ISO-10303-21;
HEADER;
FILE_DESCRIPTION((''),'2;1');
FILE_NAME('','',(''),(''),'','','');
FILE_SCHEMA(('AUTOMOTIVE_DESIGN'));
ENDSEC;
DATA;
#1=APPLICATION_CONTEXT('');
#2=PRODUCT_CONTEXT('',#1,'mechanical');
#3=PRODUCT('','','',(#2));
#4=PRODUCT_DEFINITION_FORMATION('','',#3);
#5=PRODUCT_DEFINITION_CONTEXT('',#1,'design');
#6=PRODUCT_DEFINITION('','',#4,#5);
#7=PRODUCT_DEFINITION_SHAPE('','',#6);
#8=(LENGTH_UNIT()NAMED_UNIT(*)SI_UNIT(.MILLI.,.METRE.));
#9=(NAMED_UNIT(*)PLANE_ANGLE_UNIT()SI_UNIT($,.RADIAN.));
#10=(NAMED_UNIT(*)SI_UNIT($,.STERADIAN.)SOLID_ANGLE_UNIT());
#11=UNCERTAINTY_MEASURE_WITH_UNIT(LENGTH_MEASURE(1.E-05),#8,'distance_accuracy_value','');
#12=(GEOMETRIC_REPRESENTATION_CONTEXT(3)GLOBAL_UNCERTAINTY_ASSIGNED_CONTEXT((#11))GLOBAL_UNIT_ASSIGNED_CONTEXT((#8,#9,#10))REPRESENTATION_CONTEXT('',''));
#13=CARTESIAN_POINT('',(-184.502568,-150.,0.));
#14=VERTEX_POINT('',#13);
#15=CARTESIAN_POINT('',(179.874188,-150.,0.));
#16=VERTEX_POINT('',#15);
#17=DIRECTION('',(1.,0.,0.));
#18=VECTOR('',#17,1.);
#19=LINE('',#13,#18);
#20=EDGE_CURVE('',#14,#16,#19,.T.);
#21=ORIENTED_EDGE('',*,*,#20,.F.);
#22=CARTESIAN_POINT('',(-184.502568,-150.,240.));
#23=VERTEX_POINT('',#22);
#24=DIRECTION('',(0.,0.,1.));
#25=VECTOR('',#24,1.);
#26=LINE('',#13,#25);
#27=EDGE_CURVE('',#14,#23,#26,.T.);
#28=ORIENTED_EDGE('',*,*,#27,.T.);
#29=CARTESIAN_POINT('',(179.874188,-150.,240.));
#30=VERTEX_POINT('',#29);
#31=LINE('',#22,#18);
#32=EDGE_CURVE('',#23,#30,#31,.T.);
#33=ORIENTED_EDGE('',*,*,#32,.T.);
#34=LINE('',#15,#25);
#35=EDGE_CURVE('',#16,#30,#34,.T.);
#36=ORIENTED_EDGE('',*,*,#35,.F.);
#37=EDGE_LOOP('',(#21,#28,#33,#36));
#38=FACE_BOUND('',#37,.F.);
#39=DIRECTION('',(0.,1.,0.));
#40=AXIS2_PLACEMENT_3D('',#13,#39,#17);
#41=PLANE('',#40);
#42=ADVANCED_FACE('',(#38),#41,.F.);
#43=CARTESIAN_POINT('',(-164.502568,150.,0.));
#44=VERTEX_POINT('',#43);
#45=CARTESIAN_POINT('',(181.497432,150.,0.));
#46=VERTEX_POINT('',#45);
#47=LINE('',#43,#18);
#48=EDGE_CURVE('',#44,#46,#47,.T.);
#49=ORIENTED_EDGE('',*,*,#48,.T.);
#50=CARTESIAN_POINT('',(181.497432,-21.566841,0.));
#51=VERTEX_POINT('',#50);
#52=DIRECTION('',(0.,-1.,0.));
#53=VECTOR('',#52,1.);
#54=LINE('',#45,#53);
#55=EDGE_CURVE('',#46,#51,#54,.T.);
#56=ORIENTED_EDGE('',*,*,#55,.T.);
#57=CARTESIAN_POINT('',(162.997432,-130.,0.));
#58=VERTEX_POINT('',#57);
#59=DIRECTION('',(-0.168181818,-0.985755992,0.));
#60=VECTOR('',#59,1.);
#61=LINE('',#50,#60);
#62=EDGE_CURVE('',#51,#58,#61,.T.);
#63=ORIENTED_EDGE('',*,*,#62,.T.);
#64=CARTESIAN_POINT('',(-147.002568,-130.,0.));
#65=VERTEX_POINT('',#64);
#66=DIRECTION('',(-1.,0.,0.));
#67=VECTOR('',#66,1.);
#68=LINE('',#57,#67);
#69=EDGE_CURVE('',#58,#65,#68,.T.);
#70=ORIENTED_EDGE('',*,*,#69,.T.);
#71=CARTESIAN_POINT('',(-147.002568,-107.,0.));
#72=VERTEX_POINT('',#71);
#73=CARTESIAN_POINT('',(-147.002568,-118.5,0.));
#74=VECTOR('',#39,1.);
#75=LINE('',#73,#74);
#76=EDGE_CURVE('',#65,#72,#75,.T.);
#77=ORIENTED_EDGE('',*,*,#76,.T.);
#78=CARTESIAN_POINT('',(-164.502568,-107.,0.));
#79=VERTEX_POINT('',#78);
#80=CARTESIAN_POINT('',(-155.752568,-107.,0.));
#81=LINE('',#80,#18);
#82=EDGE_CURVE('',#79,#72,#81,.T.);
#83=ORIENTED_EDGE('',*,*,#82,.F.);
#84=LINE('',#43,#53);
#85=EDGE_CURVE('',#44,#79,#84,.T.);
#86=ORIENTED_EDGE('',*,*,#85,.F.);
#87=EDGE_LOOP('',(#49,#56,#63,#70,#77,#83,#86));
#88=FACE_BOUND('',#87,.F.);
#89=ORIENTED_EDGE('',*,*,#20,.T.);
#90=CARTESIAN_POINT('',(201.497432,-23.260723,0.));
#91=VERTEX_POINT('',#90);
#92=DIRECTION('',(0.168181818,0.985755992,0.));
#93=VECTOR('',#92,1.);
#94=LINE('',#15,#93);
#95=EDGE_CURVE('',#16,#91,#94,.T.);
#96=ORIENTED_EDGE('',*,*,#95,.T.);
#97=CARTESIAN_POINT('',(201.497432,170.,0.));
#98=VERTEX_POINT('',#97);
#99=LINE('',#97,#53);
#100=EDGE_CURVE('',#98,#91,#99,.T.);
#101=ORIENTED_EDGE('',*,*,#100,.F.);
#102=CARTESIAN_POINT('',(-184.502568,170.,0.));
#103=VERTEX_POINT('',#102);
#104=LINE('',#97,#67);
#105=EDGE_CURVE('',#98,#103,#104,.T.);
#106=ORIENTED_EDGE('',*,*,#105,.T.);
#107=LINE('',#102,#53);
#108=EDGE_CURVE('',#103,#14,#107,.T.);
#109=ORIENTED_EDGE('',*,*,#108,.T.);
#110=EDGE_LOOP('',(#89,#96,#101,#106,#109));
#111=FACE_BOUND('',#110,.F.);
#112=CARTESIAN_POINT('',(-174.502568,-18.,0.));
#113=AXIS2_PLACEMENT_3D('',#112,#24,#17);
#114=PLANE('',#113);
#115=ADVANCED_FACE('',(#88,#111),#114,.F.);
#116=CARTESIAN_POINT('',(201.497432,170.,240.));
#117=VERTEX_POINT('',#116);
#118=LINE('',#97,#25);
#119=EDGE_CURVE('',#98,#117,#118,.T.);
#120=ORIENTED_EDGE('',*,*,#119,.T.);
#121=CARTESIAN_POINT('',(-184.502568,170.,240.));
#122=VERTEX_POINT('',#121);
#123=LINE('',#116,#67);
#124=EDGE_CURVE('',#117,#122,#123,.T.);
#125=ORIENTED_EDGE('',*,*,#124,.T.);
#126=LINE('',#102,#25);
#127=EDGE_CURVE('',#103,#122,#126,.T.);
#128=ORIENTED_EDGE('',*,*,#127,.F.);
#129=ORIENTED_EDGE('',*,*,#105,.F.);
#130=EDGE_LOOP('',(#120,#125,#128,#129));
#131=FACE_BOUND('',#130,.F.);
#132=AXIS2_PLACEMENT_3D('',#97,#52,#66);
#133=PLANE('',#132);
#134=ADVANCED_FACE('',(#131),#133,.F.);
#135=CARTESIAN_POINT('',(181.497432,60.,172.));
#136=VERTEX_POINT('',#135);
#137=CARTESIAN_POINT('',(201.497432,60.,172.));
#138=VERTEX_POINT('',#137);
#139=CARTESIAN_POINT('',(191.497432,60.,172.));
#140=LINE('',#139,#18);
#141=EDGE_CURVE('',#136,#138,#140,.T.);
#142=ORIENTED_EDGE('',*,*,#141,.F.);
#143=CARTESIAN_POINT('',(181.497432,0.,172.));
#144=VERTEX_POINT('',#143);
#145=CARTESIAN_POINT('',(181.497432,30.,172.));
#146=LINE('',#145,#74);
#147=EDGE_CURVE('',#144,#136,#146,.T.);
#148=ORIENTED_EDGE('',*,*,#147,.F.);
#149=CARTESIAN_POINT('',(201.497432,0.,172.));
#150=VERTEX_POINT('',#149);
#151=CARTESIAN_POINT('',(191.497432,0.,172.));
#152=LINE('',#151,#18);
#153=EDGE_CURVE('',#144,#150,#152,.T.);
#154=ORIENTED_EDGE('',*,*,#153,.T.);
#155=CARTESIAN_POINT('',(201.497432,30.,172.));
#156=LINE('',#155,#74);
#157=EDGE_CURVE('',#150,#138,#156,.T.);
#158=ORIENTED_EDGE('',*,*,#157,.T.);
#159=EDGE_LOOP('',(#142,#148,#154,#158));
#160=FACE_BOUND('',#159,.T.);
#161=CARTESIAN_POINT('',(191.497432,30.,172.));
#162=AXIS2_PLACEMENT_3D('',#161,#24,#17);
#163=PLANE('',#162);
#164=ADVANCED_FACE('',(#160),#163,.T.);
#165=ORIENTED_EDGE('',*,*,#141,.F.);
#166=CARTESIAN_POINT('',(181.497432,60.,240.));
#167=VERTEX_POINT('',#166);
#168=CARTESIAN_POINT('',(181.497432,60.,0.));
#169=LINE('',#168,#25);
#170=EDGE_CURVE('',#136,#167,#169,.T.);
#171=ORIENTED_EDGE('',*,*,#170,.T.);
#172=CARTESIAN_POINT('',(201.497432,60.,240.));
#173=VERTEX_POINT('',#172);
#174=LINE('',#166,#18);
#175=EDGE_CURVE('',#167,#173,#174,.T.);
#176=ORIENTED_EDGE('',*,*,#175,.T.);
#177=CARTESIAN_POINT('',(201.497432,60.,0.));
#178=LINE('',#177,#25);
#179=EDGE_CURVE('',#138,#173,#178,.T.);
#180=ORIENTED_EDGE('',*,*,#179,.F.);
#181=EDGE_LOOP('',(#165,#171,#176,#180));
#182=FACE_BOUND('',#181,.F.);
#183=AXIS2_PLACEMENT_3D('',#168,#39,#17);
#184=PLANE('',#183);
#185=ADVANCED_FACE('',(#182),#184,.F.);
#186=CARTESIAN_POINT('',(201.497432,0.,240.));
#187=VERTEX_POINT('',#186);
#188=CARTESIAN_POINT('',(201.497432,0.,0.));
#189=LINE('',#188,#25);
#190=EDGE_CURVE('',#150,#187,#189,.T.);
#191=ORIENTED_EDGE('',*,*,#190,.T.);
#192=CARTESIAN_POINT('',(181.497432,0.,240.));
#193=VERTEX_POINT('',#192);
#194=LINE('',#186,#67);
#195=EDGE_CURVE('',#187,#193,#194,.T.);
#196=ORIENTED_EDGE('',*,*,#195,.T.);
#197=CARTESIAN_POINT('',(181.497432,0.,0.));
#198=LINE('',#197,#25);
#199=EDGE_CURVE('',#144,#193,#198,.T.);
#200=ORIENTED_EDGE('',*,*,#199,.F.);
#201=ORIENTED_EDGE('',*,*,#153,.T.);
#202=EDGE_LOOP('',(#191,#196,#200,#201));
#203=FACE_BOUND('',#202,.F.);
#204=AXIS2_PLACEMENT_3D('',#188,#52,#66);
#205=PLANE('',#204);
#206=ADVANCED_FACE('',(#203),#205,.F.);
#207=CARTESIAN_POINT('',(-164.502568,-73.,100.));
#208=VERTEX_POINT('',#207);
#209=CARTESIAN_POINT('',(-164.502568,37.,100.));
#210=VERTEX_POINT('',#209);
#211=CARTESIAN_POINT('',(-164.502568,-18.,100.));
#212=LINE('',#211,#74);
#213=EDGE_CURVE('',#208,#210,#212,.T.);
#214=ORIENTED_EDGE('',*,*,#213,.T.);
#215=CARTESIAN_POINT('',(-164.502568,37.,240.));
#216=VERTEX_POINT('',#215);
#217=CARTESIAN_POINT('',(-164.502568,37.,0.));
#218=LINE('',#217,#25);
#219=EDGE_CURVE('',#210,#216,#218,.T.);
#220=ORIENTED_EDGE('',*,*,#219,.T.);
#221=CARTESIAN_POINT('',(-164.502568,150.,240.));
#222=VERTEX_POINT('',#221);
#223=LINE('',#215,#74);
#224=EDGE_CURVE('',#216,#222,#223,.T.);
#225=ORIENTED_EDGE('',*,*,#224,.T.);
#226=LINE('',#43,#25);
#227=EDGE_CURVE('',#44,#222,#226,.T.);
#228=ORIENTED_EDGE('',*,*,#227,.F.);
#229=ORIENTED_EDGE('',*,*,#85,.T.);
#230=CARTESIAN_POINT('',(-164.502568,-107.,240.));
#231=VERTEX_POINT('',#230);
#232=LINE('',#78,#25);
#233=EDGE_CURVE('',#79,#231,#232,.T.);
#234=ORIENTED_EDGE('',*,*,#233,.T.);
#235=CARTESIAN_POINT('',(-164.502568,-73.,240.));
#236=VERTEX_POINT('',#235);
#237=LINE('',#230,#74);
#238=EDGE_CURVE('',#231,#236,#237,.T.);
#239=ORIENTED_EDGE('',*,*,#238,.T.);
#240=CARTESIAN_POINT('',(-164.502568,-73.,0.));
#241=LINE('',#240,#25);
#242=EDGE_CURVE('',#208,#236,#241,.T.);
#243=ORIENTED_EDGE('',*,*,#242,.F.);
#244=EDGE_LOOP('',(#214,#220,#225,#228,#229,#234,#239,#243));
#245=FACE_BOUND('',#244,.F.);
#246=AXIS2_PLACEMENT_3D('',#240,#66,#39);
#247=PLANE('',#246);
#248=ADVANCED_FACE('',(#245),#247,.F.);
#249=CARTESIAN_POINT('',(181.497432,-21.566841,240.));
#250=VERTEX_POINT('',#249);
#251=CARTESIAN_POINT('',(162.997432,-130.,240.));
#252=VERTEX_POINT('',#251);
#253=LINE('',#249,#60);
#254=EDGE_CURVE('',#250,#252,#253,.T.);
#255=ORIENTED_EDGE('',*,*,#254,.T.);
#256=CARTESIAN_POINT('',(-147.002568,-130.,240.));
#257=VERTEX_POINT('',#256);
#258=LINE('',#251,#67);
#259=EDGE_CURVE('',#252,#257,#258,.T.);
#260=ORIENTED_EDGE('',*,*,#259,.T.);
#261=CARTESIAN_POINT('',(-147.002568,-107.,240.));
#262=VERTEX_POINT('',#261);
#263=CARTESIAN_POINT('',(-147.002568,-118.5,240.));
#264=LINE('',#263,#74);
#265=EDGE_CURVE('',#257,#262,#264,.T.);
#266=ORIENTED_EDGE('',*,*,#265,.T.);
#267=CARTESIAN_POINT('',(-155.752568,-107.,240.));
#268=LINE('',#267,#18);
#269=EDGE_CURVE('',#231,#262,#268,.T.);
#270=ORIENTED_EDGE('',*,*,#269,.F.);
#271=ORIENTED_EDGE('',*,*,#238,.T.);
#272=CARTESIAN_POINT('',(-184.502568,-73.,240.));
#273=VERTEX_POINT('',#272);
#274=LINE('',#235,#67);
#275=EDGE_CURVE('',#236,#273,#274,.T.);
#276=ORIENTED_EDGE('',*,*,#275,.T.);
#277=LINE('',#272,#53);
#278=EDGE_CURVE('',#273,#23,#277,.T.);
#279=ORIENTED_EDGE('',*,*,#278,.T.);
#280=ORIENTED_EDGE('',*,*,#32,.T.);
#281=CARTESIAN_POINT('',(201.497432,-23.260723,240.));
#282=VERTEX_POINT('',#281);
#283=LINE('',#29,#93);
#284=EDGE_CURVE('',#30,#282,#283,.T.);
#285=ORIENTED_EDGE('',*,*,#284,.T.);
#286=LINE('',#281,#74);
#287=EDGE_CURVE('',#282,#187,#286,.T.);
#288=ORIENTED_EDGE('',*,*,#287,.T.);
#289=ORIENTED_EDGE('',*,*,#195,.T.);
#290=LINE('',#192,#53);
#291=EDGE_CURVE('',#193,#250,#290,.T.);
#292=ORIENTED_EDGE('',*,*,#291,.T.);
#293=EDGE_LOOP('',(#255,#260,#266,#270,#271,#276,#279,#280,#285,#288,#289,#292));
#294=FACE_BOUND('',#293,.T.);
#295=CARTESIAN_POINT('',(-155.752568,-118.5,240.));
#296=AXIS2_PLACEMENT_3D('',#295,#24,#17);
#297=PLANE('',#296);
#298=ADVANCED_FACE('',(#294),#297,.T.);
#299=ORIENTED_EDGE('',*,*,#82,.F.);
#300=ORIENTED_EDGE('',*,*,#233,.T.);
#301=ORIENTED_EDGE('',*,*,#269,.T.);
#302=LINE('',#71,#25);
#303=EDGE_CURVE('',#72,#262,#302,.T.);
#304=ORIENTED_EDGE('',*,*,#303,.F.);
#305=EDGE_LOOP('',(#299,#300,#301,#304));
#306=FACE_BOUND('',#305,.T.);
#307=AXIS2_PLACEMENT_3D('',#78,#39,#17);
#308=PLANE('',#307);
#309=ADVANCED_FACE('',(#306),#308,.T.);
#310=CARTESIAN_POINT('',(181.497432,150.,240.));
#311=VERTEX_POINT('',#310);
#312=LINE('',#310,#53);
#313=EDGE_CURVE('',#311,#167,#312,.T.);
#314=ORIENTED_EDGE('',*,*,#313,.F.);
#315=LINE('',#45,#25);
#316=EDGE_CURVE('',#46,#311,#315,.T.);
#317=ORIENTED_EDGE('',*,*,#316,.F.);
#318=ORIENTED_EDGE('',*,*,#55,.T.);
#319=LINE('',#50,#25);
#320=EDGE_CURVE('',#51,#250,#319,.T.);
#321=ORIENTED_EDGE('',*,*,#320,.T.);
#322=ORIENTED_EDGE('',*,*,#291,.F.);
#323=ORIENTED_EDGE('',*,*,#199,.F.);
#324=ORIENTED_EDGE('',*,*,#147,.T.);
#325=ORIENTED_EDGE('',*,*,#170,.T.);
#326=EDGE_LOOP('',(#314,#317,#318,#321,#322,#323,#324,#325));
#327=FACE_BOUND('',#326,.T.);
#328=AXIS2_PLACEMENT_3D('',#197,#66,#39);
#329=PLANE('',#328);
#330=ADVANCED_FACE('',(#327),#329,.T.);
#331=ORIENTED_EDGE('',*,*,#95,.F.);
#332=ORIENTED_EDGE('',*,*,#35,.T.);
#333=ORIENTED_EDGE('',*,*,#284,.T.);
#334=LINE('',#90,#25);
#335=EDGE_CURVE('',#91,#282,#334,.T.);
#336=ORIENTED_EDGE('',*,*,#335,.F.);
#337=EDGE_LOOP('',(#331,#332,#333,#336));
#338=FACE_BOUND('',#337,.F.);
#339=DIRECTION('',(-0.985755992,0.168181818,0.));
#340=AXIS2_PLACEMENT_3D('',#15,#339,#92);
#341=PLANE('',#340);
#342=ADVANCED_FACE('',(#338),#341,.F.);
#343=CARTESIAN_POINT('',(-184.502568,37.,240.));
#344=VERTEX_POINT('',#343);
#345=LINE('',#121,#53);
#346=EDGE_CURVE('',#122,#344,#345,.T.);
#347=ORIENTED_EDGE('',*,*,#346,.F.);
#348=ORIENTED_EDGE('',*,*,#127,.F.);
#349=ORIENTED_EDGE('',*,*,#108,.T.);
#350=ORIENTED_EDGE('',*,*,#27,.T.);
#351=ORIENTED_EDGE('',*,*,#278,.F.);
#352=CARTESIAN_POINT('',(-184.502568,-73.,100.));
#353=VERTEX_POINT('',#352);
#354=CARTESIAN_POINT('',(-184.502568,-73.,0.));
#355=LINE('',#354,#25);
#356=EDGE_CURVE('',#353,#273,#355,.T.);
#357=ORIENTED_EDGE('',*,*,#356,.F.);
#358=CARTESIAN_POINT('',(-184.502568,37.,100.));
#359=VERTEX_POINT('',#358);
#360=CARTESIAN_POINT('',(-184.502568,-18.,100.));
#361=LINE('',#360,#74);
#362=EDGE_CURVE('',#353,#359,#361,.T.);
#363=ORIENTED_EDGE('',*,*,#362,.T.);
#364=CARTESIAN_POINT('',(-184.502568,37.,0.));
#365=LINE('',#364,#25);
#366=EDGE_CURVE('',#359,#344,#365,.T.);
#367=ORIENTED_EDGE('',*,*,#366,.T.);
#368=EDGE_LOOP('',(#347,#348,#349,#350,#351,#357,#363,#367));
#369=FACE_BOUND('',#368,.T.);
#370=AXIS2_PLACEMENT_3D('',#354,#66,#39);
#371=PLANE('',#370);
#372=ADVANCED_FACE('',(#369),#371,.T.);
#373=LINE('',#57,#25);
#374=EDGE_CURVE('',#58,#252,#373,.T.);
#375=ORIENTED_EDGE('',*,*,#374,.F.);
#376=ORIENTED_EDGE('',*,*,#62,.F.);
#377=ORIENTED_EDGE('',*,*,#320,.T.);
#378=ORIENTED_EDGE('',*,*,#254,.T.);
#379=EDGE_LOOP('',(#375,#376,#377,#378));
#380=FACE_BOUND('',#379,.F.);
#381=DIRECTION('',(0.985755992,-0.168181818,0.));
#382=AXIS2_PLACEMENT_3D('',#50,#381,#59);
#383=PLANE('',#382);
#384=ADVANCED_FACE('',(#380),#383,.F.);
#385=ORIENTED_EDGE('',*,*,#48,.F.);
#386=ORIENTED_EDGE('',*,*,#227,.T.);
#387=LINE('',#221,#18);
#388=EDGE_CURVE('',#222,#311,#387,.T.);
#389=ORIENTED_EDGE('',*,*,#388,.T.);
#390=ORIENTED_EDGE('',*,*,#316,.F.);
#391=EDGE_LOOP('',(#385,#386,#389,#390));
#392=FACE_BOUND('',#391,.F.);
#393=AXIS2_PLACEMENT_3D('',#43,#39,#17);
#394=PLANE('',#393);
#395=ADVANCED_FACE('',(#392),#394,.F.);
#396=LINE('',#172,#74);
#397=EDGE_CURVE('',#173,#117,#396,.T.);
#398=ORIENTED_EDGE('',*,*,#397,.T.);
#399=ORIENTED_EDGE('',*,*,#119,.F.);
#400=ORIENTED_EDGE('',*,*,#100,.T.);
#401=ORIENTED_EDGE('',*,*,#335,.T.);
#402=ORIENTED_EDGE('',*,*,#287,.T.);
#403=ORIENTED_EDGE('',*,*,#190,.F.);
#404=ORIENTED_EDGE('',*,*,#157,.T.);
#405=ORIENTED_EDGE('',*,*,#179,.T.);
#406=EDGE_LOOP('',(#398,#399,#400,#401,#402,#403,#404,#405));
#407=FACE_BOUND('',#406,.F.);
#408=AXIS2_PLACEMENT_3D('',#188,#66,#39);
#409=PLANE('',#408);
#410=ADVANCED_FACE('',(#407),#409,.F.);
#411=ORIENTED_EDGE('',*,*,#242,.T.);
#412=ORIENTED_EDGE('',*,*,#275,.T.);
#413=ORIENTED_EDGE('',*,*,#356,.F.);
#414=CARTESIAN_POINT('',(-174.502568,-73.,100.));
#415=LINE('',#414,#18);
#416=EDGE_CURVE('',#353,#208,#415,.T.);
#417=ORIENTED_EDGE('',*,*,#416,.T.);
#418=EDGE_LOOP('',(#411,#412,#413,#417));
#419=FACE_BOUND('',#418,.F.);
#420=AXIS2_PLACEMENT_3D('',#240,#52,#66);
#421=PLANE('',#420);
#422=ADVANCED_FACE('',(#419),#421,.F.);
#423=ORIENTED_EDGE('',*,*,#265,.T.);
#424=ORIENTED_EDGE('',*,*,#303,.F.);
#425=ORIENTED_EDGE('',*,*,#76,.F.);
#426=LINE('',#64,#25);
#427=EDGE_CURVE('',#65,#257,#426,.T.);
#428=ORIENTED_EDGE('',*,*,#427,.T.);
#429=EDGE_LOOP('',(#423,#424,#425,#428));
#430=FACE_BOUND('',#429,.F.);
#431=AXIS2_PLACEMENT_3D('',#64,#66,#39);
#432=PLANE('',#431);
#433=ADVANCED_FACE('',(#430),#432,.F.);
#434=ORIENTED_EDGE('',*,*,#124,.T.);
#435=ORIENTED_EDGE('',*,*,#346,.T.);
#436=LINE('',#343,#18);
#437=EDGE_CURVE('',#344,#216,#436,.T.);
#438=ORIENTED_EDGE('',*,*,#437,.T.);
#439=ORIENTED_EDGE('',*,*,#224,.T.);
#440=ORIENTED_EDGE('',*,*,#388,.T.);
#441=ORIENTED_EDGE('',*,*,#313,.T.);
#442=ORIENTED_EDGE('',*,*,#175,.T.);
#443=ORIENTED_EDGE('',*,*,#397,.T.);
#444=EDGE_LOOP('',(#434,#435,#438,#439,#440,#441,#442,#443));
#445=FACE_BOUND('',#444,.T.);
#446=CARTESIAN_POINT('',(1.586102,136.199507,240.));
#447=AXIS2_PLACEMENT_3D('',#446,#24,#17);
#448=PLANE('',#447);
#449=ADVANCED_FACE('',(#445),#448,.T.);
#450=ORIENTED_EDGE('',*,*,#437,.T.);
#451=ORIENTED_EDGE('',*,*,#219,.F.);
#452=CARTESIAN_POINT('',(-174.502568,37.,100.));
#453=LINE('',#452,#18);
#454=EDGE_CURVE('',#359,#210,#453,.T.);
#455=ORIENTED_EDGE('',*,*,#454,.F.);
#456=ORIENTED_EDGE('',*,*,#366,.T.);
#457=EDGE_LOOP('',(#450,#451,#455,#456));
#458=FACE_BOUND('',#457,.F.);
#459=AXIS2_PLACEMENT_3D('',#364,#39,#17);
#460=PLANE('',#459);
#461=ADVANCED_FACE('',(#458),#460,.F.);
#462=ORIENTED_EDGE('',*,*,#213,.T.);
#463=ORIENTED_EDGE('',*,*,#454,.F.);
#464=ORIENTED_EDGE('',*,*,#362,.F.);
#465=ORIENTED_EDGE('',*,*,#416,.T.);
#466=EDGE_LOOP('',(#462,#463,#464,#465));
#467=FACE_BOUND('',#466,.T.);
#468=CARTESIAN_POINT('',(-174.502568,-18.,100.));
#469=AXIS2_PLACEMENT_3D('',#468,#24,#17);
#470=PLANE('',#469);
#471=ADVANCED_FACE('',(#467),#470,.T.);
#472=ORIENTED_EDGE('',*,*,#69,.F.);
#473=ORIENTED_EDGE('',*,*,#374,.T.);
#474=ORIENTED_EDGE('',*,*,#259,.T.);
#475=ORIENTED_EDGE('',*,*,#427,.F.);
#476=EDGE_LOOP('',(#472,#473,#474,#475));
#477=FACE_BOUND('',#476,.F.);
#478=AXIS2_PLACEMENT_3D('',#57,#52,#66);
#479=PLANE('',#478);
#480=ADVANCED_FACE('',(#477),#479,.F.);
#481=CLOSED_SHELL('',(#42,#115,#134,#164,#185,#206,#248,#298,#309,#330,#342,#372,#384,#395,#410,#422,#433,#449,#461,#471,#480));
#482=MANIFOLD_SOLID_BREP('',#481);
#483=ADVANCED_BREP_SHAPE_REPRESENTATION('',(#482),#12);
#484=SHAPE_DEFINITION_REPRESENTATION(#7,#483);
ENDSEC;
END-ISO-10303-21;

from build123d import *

# Parameters (mm, degrees)
F0_W     = 17.5
F0_H     = 23
F1_DEPTH = 240
F0_W_2   = 20
F0_H_2   = 60
F2_DEPTH = 172
F0_H_3   = 110
F3_DEPTH = 100


with BuildPart() as f1:
    # F0 (on Top) → F1 (new body)
    with BuildSketch(Plane.XY):
        with Locations((-155.7525681257, -118.5)):
            Rectangle(F0_W, F0_H)
        Polygon((-164.5025681257, -107), (-164.5025681257, -73), (-184.5025681257, -73), (-184.5025681257, -150), (179.8741881599, -150), (201.4974318743, -23.2607228812), (201.4974318743, 0), (181.4974318743, 0), (181.4974318743, -21.566840865), (162.9974318743, -130), (-147.0025681257, -130), (-164.5025681257, -130), align=None)
    extrude(amount=F1_DEPTH)



with BuildPart() as f1b:
    # F0 (on Top) → F1, piece 2 (new body)
    with BuildSketch(Plane.XY):
        Polygon((-164.5025681257, 37), (-164.5025681257, 150), (181.4974318743, 150), (181.4974318743, 60), (201.4974318743, 60), (201.4974318743, 170), (-184.5025681257, 170), (-184.5025681257, 37), align=None)
    extrude(amount=F1_DEPTH)


with BuildPart() as f1_1:
    add(f1.part)

    add(f1b.part)  # F2 merges F1b
    # F0 (on Top) → F2 (join)
    with BuildSketch(Plane.XY):
        with Locations((191.4974318743, 30)):
            Rectangle(F0_W_2, F0_H_2)
    extrude(amount=F2_DEPTH)

    # F0 (on Top) → F3 (join)
    with BuildSketch(Plane.XY):
        with Locations((-174.5025681257, -18)):
            Rectangle(F0_W_2, F0_H_3)
    extrude(amount=F3_DEPTH)


solid = f1_1.part
